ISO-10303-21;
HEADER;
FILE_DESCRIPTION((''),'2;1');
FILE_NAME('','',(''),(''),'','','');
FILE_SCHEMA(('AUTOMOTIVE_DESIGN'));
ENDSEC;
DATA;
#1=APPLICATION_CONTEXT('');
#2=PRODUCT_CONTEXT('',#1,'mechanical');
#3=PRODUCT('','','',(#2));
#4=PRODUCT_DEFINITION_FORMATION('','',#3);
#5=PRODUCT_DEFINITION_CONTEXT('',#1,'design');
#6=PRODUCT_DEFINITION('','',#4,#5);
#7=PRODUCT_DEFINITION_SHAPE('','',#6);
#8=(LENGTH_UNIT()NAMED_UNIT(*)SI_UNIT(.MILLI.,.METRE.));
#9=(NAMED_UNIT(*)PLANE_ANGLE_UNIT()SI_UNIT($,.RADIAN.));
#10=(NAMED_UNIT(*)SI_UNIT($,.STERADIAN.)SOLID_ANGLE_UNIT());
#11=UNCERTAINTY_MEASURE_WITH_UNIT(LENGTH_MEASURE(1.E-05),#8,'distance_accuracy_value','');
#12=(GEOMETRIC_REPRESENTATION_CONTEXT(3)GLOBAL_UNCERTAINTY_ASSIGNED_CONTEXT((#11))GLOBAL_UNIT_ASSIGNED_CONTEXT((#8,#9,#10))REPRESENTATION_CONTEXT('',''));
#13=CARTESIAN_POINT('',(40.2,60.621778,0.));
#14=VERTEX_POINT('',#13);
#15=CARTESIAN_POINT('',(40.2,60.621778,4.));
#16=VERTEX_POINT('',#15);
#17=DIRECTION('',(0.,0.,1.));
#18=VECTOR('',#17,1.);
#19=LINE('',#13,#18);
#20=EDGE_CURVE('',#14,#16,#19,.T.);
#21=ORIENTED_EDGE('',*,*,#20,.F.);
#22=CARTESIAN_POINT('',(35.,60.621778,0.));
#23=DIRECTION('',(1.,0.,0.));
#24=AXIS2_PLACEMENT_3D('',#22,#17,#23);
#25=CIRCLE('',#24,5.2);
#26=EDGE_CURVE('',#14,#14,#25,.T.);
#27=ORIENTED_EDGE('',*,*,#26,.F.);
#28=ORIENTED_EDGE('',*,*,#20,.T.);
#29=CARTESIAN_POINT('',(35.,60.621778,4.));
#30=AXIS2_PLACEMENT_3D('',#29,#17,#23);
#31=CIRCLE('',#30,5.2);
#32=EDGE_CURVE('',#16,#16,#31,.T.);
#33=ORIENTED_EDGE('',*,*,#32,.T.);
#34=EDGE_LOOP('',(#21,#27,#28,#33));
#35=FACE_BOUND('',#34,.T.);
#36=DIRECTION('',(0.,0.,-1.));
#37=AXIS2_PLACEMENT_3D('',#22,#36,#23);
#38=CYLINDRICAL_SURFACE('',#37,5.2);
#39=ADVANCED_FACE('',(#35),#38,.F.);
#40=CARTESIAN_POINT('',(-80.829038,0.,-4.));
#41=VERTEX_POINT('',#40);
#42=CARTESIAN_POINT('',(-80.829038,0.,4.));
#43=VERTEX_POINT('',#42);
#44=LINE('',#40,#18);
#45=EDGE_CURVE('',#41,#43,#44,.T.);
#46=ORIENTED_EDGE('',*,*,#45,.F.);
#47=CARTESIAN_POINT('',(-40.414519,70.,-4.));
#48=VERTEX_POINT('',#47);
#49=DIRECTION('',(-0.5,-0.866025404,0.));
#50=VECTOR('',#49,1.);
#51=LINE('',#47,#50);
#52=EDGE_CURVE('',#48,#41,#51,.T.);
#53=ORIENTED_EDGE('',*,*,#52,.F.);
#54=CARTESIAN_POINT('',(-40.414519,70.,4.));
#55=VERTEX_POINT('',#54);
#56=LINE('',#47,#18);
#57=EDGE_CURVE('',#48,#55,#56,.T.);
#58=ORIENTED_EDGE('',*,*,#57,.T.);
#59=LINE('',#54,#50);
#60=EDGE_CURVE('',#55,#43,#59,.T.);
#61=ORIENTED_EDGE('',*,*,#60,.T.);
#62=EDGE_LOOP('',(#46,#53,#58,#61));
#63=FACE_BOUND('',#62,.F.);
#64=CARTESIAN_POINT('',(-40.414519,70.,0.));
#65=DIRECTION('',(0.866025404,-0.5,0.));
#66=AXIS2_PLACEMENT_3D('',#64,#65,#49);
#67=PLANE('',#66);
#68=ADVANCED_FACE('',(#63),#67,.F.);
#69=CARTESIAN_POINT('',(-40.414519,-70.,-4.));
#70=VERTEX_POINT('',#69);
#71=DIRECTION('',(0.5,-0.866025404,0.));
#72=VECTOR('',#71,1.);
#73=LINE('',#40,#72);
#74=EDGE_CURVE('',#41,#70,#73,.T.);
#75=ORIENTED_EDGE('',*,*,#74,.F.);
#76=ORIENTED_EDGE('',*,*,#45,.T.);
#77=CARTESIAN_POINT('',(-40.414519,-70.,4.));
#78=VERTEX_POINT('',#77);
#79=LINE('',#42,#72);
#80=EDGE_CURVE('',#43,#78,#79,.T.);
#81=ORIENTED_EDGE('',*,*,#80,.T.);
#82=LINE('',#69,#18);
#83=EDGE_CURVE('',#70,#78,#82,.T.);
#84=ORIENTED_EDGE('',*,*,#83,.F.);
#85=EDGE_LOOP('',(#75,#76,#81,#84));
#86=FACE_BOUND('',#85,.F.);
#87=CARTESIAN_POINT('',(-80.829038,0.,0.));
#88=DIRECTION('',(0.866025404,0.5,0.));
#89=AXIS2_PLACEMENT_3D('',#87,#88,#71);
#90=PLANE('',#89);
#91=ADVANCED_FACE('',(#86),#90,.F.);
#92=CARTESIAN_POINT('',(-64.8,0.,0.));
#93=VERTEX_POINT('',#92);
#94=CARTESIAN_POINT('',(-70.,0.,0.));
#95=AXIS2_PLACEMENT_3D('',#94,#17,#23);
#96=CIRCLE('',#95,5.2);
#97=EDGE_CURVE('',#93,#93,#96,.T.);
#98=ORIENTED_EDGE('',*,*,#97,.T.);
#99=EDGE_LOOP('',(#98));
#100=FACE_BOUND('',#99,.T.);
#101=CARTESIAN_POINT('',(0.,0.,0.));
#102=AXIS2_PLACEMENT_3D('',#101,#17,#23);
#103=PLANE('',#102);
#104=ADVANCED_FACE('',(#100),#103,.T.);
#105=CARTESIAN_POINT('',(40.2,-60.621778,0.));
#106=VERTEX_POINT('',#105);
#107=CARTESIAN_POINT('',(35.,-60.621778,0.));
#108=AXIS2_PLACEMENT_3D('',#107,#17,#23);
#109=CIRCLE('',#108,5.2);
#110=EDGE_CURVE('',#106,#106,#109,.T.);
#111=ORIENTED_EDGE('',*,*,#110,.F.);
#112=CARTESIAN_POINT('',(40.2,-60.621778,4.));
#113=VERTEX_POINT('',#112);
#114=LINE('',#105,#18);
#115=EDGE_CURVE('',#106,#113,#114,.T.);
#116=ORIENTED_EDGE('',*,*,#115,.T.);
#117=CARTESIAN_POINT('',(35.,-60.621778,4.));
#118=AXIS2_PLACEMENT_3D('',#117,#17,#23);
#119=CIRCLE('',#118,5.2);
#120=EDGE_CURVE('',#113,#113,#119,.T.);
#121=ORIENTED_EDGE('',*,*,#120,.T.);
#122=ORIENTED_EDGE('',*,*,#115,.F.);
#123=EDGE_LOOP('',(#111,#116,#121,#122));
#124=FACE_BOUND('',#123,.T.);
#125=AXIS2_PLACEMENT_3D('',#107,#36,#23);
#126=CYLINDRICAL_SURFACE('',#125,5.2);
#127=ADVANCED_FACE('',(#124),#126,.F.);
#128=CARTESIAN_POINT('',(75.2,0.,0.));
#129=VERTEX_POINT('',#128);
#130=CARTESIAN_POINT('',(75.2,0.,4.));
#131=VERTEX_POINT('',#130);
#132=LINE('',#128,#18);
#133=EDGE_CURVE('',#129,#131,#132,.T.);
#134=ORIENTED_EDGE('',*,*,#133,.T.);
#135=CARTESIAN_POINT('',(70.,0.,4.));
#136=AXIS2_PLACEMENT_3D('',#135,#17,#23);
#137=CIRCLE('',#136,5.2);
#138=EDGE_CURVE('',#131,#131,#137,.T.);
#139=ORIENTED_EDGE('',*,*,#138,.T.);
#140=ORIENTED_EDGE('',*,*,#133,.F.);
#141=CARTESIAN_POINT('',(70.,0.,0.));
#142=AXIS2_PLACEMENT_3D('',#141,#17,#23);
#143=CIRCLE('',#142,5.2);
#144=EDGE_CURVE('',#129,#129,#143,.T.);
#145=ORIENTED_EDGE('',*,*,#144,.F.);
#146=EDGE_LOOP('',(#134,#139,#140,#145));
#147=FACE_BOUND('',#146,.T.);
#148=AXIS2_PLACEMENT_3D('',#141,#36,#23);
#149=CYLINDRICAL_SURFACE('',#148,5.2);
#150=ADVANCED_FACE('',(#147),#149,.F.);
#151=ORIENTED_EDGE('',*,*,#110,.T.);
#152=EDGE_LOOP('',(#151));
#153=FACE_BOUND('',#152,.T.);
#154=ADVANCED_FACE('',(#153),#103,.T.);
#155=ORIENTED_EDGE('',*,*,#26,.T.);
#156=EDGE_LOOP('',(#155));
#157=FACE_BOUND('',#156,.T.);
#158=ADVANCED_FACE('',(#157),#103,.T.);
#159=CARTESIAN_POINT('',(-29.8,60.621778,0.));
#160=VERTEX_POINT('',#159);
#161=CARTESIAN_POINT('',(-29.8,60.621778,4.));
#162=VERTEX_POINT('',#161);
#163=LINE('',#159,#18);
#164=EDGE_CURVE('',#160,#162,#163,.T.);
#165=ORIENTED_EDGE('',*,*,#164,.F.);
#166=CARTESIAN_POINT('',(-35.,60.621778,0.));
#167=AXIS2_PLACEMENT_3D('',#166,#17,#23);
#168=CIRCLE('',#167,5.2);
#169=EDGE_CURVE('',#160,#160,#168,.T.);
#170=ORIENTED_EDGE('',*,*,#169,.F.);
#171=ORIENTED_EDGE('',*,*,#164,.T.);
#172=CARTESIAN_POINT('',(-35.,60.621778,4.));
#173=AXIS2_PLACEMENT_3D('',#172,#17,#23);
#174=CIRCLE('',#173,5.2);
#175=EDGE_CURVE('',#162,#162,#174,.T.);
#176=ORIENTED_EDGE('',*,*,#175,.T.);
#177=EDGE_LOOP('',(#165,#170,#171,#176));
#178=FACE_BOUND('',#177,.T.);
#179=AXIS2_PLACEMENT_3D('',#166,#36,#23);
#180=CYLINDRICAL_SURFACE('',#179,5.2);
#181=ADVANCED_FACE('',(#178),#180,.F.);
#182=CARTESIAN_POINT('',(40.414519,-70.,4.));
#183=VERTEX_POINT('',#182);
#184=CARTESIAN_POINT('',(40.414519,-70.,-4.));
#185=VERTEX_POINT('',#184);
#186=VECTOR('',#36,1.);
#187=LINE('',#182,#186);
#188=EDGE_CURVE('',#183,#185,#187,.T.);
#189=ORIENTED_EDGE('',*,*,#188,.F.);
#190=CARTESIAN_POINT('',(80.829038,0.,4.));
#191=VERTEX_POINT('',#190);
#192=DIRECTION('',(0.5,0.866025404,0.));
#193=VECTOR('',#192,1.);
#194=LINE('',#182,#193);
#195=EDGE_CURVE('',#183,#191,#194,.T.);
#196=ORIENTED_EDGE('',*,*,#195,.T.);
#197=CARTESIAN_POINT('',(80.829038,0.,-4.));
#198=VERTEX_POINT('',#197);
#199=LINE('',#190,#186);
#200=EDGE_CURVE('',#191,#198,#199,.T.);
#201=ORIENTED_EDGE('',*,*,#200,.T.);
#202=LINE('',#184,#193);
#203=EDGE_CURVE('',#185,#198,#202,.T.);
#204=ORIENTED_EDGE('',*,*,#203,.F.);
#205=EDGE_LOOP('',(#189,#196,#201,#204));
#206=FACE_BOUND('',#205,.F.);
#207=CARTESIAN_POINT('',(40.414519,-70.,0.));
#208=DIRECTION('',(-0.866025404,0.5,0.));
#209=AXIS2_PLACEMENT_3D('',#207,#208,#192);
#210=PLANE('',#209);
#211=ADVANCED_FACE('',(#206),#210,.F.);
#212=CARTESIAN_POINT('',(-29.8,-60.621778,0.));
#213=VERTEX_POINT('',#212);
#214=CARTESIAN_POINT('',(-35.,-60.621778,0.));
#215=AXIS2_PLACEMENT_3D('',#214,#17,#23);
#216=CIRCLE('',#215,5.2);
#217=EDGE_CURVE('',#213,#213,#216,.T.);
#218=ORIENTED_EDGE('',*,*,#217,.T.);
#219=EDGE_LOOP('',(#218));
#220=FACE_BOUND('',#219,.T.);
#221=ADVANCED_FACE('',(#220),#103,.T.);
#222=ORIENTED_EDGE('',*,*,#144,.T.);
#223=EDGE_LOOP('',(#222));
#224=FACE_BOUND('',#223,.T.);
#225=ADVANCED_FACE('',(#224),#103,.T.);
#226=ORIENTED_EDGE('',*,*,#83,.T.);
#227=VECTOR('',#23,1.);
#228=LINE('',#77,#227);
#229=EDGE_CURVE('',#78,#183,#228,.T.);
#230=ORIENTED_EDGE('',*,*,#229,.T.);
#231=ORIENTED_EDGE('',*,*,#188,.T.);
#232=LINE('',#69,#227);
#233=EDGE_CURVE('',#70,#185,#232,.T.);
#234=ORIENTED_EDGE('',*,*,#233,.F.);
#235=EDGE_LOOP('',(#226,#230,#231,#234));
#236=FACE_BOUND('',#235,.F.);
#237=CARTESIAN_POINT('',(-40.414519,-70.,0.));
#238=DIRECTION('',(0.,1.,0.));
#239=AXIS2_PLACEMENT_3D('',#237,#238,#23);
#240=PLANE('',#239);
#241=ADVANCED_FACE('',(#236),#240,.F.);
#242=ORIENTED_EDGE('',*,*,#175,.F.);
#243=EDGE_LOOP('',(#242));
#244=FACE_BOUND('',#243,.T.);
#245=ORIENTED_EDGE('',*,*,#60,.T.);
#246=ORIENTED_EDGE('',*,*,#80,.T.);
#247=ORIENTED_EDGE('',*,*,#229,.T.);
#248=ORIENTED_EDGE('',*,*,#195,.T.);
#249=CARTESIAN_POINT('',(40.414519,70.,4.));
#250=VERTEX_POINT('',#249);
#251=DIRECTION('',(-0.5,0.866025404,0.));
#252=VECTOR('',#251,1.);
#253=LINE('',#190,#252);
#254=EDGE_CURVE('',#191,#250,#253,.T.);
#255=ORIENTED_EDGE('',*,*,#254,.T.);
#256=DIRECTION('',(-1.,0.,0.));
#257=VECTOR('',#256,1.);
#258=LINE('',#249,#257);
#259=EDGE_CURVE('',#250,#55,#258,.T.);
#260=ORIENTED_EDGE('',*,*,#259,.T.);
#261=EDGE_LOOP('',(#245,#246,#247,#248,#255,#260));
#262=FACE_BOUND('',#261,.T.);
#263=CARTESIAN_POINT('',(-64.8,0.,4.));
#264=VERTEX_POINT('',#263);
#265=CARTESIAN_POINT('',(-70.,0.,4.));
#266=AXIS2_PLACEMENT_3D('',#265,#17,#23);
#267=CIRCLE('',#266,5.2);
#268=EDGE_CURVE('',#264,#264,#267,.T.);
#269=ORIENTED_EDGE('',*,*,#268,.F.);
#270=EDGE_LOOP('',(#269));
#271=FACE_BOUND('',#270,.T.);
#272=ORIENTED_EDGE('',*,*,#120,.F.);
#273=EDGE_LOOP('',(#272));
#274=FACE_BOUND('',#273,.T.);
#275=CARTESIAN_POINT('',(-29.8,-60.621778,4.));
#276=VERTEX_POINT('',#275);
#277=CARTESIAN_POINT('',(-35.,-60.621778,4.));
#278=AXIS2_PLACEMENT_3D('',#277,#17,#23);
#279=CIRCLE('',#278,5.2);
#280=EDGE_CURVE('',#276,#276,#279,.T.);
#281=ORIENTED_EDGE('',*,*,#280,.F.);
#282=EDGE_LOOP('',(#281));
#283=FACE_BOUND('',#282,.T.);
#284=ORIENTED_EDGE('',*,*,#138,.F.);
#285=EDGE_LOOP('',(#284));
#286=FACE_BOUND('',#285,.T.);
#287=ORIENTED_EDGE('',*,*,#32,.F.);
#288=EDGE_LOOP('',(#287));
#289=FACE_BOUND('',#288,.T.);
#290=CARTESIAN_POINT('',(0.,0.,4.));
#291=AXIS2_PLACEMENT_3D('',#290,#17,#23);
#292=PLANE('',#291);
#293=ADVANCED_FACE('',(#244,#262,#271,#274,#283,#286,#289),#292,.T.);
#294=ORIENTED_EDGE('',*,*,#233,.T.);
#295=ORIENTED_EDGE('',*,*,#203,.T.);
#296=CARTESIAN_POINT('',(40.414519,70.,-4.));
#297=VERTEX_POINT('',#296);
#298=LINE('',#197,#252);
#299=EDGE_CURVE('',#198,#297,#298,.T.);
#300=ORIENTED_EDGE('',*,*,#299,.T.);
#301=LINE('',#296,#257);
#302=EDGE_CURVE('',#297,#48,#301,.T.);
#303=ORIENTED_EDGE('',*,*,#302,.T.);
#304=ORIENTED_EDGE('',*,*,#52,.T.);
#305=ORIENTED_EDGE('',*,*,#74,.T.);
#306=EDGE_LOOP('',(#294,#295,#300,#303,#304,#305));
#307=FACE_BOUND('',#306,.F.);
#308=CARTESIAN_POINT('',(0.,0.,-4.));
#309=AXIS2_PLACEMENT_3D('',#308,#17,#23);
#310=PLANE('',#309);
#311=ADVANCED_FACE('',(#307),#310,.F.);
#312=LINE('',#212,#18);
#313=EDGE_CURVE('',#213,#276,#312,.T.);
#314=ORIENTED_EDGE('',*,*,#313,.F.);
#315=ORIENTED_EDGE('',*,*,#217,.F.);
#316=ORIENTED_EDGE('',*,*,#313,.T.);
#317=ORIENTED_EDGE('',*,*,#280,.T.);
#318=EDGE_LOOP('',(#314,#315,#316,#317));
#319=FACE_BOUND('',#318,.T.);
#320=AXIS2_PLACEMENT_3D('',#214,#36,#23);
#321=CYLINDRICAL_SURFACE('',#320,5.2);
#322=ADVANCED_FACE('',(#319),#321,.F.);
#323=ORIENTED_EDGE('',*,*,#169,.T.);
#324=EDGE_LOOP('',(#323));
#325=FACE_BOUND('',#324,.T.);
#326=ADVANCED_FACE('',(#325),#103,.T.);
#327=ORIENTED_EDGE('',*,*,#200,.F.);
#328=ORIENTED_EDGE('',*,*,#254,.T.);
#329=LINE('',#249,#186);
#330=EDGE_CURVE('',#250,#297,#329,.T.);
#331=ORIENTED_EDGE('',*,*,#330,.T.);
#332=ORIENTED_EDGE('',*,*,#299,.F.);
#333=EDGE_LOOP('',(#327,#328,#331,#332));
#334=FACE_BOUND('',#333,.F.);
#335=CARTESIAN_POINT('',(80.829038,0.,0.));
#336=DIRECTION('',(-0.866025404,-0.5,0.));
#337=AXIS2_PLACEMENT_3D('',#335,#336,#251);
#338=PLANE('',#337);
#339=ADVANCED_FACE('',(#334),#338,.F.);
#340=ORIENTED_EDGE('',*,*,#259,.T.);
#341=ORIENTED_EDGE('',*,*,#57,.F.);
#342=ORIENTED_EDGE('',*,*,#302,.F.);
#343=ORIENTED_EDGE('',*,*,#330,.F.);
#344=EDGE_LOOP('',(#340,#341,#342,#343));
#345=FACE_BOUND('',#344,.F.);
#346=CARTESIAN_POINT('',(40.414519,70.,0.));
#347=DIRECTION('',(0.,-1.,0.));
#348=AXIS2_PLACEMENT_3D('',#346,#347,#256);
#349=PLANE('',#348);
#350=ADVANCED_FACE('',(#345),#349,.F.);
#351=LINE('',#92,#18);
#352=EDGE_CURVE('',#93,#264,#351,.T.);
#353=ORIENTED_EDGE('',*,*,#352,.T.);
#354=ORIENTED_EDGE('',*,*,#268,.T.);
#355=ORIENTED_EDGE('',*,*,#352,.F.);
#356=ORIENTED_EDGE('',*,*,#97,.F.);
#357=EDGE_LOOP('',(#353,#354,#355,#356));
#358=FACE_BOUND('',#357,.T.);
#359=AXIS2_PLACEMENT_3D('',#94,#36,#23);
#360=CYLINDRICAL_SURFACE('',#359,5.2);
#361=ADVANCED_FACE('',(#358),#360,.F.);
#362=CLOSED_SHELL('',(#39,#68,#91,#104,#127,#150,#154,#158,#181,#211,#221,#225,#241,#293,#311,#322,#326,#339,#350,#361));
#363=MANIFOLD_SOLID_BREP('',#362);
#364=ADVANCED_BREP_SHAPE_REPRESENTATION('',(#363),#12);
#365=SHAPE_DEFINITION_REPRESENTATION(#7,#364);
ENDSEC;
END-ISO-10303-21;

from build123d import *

# Parameters (mm, degrees)
F0_R     = 5.2
F1_DEPTH = 4
F2_DEPTH = 4


with BuildPart() as f1:
    # F0 (on Top) → F1 (new body)
    with BuildSketch(Plane.XY):
        Polygon((40.4145188433, 70), (-40.4145188433, 70), (-80.8290376865, 0), (-40.4145188433, -70), (40.4145188433, -70), (80.8290376865, 0), align=None)
        with Locations((-35, -60.6217782649)):
            Circle(F0_R, mode=Mode.SUBTRACT)
        with Locations((35, -60.6217782649)):
            Circle(F0_R, mode=Mode.SUBTRACT)
        with Locations((-70, 0)):
            Circle(F0_R, mode=Mode.SUBTRACT)
        with Locations((-35, 60.6217782649)):
            Circle(F0_R, mode=Mode.SUBTRACT)
        with Locations((70, 0)):
            Circle(F0_R, mode=Mode.SUBTRACT)
        with Locations((35, 60.6217782649)):
            Circle(F0_R, mode=Mode.SUBTRACT)
        with Locations((-70, 0)):
            Circle(F0_R)
        with Locations((-35, 60.6217782649)):
            Circle(F0_R)
        with Locations((35, 60.6217782649)):
            Circle(F0_R)
        with Locations((70, 0)):
            Circle(F0_R)
        with Locations((35, -60.6217782649)):
            Circle(F0_R)
        with Locations((-35, -60.6217782649)):
            Circle(F0_R)
    extrude(amount=-F1_DEPTH)

    # F0 (on Top) → F2 (join)
    with BuildSketch(Plane.XY):
        Polygon((40.4145188433, 70), (-40.4145188433, 70), (-80.8290376865, 0), (-40.4145188433, -70), (40.4145188433, -70), (80.8290376865, 0), align=None)
        with Locations((-35, -60.6217782649)):
            Circle(F0_R, mode=Mode.SUBTRACT)
        with Locations((35, -60.6217782649)):
            Circle(F0_R, mode=Mode.SUBTRACT)
        with Locations((-70, 0)):
            Circle(F0_R, mode=Mode.SUBTRACT)
        with Locations((-35, 60.6217782649)):
            Circle(F0_R, mode=Mode.SUBTRACT)
        with Locations((70, 0)):
            Circle(F0_R, mode=Mode.SUBTRACT)
        with Locations((35, 60.6217782649)):
            Circle(F0_R, mode=Mode.SUBTRACT)
    extrude(amount=F2_DEPTH)


solid = f1.part
